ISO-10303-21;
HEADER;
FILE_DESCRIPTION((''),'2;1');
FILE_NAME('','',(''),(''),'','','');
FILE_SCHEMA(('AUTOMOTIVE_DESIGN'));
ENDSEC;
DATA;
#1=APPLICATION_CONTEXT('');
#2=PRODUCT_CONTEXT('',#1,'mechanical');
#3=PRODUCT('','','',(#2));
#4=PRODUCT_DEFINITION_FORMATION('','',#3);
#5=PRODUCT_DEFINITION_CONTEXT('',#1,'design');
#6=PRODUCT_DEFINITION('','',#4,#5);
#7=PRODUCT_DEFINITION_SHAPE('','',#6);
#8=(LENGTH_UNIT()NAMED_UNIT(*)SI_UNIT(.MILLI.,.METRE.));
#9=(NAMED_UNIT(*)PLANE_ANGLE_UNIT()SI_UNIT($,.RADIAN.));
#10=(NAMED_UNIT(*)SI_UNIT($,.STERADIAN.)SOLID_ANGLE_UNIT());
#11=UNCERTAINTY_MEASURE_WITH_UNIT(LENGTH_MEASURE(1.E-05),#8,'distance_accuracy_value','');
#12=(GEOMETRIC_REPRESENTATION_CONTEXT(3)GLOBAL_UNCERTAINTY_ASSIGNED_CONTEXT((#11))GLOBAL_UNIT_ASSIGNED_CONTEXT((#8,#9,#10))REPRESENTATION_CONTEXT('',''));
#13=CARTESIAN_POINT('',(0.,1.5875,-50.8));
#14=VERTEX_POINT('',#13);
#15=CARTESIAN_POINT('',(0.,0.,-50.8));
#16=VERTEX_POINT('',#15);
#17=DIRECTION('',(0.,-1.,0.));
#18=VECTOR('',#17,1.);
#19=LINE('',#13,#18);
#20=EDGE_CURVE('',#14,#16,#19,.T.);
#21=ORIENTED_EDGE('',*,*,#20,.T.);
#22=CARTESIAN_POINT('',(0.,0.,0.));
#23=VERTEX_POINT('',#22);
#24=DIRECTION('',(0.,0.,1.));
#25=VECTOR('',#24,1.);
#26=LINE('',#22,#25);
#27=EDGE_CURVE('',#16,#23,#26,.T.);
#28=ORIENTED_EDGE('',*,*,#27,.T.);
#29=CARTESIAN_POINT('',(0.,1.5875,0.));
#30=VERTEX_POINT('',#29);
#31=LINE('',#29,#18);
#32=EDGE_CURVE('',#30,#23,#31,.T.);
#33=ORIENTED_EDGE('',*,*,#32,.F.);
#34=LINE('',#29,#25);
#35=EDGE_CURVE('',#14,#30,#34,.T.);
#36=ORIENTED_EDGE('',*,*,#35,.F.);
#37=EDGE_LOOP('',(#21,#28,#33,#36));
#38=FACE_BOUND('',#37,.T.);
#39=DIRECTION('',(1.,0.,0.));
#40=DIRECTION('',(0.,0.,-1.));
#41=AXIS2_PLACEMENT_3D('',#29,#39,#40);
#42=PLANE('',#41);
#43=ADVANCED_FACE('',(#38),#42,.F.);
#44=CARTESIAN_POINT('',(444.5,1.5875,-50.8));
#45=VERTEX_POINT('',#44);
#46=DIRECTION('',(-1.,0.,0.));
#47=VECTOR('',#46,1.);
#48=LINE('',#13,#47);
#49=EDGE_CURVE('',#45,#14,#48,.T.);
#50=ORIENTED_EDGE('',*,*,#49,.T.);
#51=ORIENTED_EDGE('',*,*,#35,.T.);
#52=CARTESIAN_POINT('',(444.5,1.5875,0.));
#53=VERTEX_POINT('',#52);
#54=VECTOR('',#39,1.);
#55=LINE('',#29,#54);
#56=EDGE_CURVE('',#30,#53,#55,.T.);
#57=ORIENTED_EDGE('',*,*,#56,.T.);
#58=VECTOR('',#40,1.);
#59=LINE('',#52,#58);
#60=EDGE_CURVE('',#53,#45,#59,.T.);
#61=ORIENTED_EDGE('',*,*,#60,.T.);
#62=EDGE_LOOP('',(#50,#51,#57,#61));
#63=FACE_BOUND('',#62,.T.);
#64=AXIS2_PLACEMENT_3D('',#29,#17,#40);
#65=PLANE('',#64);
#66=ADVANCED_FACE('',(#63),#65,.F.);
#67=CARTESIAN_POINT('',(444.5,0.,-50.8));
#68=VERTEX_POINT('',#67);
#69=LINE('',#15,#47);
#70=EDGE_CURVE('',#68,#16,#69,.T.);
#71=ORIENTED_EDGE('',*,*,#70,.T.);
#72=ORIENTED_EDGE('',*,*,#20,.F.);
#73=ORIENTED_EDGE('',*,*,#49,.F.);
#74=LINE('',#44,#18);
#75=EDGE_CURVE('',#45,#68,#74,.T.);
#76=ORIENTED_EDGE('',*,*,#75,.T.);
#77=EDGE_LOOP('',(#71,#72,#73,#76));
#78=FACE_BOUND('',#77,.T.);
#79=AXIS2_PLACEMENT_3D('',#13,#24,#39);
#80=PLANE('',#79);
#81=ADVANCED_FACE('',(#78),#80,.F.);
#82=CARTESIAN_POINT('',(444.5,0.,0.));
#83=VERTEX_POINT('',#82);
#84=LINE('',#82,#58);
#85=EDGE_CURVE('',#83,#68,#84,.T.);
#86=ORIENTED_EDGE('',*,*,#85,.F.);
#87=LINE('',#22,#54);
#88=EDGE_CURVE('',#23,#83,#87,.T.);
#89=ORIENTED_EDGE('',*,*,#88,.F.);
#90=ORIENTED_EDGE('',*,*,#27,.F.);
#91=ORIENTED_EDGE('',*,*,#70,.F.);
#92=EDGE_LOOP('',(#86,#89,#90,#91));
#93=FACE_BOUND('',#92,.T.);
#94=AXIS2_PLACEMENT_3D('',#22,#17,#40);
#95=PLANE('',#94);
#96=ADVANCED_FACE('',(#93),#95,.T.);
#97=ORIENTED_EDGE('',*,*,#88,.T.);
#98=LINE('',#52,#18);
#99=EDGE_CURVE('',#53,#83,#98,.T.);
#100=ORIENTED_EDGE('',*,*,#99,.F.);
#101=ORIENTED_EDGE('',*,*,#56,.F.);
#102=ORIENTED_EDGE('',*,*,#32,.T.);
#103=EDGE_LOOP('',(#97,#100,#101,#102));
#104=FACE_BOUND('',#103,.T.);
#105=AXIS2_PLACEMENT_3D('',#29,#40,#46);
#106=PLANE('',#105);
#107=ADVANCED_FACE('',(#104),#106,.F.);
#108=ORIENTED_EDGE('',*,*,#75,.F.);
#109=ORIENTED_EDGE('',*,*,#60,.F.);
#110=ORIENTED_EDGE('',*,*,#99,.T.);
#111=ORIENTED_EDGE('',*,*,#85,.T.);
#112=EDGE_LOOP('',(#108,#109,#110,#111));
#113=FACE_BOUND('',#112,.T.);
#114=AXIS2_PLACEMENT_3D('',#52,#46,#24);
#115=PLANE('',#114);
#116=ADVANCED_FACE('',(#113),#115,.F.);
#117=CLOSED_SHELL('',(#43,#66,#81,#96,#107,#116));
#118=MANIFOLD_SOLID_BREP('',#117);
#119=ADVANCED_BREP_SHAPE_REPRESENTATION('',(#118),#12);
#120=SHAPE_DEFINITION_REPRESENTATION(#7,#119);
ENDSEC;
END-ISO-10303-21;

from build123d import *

# Parameters (mm, degrees)
SKETCH1_W           = 444.5
SKETCH1_H           = 50.8
BOSS_EXTRUDE1_DEPTH = 1.5875


with BuildPart() as part:
    # Sketch1 → Boss-Extrude1 (new body)
    with BuildSketch(Plane(origin=(0, 0, 0), x_dir=(1, 0, 0), z_dir=(0, 1, 0))):
        with Locations((222.25, 25.4)):
            Rectangle(SKETCH1_W, SKETCH1_H)
    extrude(amount=BOSS_EXTRUDE1_DEPTH)


solid = part.part
